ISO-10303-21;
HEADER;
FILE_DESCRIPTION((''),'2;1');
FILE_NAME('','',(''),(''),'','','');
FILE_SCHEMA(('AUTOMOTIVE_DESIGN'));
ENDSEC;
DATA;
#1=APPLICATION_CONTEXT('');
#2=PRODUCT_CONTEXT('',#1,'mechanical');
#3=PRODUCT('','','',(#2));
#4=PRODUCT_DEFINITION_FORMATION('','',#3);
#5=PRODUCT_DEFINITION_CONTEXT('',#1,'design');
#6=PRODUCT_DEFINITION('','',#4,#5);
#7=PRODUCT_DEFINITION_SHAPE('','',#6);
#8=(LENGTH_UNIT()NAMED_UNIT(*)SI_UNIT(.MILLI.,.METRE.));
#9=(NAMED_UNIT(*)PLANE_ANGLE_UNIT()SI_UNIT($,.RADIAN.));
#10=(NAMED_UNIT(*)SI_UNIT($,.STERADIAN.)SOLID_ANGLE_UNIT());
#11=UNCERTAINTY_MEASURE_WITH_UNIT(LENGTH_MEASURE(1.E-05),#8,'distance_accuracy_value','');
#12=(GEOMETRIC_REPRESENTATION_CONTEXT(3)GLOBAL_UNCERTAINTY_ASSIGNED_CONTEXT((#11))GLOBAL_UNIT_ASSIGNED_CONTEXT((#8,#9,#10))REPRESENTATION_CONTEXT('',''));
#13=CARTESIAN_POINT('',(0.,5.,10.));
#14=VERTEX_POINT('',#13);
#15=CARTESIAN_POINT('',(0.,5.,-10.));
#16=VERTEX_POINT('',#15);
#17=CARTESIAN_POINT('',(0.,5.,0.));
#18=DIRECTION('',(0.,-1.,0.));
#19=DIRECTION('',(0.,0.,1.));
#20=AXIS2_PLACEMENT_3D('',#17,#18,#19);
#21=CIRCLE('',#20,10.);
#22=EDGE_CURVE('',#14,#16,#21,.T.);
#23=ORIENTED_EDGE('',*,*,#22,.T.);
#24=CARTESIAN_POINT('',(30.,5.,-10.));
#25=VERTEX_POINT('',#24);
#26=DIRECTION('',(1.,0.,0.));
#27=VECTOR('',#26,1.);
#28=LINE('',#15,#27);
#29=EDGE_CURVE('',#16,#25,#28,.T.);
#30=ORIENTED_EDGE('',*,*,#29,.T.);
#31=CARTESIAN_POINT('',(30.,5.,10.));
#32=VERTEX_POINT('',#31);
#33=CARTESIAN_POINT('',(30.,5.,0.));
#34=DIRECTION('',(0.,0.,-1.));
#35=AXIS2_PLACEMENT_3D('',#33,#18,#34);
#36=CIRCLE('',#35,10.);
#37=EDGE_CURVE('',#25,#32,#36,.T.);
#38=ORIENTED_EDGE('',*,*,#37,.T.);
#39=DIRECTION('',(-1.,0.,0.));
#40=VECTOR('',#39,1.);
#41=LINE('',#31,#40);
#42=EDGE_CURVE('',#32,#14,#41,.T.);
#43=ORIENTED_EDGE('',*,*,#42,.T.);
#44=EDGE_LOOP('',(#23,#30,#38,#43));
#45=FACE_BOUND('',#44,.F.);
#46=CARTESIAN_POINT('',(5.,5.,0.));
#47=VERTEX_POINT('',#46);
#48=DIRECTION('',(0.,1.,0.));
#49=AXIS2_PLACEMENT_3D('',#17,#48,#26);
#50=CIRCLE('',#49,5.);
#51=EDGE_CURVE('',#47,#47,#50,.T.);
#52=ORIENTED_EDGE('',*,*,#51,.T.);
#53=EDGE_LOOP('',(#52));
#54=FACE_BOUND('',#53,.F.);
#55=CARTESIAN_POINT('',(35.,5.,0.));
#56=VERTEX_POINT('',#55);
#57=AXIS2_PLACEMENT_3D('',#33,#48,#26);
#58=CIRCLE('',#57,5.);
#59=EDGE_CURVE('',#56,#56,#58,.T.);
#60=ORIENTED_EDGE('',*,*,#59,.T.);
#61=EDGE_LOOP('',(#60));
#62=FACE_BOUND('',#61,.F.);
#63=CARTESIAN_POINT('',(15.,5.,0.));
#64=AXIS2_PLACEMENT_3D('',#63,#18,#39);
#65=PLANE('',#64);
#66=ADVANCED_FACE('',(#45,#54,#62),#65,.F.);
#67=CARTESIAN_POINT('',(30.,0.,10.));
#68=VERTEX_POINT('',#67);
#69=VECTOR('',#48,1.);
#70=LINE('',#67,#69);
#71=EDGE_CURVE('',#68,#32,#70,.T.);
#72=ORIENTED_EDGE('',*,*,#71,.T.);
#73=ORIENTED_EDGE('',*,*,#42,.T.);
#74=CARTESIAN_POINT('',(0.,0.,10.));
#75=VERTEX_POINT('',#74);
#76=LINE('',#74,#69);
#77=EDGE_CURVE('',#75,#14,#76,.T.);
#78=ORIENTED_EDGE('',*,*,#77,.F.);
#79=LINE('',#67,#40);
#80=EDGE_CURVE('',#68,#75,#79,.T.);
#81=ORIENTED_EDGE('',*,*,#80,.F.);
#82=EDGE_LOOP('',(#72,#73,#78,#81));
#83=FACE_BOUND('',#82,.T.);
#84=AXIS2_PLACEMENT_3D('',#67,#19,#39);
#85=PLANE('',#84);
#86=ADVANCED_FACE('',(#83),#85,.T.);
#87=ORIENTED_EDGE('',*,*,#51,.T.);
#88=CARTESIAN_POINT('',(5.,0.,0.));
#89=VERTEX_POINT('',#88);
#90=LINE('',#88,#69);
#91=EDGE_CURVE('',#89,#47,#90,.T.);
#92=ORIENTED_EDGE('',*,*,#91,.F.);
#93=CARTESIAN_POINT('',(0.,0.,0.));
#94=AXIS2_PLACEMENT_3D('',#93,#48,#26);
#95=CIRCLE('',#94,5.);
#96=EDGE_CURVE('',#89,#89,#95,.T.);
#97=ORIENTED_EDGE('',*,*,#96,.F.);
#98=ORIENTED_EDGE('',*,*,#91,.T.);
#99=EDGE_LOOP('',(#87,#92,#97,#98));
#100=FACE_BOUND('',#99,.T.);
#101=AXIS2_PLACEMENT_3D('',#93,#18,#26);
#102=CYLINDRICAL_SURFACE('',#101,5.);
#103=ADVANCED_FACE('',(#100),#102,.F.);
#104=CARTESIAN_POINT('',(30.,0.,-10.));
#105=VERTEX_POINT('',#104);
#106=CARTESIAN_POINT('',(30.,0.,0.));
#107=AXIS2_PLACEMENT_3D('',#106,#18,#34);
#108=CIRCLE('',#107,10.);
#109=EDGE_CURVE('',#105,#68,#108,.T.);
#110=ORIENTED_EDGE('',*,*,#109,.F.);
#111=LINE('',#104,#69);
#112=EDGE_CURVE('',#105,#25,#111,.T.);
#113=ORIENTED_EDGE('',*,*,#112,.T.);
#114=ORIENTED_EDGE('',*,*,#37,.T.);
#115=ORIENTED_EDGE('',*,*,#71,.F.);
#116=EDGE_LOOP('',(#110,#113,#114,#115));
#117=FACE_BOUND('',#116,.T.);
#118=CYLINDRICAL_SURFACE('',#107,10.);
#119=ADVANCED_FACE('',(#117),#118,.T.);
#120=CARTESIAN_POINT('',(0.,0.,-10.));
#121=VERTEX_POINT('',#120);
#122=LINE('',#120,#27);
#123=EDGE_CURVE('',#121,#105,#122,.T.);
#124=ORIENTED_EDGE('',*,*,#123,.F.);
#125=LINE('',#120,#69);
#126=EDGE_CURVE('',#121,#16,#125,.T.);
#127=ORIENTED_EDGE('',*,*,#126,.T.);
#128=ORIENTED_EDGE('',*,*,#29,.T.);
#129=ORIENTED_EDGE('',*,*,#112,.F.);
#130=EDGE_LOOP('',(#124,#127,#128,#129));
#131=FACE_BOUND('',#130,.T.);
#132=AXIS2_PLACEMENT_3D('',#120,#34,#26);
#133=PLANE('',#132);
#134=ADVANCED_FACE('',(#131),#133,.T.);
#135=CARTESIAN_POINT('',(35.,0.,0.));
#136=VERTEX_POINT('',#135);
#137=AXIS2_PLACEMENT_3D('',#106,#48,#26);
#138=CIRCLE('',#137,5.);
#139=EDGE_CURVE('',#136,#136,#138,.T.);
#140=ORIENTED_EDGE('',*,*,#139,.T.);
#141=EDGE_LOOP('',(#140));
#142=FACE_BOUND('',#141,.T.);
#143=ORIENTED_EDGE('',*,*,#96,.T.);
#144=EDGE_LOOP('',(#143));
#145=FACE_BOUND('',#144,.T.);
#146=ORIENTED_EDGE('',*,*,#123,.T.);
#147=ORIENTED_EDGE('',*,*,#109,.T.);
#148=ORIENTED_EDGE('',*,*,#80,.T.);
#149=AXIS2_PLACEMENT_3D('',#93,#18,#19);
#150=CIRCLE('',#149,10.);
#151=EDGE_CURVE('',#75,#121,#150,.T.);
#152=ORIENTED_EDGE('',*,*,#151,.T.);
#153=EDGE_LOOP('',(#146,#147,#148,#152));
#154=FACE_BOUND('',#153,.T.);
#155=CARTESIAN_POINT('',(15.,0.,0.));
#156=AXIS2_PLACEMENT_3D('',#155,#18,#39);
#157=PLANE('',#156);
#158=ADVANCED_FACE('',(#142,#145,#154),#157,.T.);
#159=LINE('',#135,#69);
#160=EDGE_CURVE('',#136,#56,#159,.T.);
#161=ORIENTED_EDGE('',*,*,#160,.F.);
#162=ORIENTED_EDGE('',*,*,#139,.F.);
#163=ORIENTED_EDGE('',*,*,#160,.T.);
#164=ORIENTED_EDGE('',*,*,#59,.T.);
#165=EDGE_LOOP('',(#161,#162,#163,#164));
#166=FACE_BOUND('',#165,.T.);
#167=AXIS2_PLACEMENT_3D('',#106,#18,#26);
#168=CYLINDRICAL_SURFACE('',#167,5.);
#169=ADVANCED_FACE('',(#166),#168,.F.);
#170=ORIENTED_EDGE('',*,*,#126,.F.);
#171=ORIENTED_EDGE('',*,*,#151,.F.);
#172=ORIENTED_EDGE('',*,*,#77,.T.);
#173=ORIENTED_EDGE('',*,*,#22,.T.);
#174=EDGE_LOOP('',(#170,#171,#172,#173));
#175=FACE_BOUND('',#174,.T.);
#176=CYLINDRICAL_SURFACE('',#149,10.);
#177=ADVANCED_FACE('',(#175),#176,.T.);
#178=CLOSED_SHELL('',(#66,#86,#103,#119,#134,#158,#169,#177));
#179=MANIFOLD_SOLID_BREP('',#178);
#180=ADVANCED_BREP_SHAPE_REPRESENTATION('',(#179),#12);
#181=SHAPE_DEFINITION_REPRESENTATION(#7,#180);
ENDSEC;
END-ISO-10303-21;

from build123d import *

# Parameters (mm, degrees)
SKETCH2_R           = 5
BOSS_EXTRUDE1_DEPTH = 5


with BuildPart() as part:
    # Sketch2 → Boss-Extrude1 (new body)
    with BuildSketch(Plane(origin=(0, 0, 0), x_dir=(1, 0, 0), z_dir=(0, 1, 0))):
        with BuildLine():
            Line((0, 10), (30, 10))
            ThreePointArc((30, 10), (40, 0), (30, -10))
            Line((30, -10), (0, -10))
            ThreePointArc((0, -10), (-10, 0), (0, 10))
        make_face()
        Circle(SKETCH2_R, mode=Mode.SUBTRACT)
        with Locations((30, 0)):
            Circle(SKETCH2_R, mode=Mode.SUBTRACT)
    extrude(amount=BOSS_EXTRUDE1_DEPTH)


solid = part.part
